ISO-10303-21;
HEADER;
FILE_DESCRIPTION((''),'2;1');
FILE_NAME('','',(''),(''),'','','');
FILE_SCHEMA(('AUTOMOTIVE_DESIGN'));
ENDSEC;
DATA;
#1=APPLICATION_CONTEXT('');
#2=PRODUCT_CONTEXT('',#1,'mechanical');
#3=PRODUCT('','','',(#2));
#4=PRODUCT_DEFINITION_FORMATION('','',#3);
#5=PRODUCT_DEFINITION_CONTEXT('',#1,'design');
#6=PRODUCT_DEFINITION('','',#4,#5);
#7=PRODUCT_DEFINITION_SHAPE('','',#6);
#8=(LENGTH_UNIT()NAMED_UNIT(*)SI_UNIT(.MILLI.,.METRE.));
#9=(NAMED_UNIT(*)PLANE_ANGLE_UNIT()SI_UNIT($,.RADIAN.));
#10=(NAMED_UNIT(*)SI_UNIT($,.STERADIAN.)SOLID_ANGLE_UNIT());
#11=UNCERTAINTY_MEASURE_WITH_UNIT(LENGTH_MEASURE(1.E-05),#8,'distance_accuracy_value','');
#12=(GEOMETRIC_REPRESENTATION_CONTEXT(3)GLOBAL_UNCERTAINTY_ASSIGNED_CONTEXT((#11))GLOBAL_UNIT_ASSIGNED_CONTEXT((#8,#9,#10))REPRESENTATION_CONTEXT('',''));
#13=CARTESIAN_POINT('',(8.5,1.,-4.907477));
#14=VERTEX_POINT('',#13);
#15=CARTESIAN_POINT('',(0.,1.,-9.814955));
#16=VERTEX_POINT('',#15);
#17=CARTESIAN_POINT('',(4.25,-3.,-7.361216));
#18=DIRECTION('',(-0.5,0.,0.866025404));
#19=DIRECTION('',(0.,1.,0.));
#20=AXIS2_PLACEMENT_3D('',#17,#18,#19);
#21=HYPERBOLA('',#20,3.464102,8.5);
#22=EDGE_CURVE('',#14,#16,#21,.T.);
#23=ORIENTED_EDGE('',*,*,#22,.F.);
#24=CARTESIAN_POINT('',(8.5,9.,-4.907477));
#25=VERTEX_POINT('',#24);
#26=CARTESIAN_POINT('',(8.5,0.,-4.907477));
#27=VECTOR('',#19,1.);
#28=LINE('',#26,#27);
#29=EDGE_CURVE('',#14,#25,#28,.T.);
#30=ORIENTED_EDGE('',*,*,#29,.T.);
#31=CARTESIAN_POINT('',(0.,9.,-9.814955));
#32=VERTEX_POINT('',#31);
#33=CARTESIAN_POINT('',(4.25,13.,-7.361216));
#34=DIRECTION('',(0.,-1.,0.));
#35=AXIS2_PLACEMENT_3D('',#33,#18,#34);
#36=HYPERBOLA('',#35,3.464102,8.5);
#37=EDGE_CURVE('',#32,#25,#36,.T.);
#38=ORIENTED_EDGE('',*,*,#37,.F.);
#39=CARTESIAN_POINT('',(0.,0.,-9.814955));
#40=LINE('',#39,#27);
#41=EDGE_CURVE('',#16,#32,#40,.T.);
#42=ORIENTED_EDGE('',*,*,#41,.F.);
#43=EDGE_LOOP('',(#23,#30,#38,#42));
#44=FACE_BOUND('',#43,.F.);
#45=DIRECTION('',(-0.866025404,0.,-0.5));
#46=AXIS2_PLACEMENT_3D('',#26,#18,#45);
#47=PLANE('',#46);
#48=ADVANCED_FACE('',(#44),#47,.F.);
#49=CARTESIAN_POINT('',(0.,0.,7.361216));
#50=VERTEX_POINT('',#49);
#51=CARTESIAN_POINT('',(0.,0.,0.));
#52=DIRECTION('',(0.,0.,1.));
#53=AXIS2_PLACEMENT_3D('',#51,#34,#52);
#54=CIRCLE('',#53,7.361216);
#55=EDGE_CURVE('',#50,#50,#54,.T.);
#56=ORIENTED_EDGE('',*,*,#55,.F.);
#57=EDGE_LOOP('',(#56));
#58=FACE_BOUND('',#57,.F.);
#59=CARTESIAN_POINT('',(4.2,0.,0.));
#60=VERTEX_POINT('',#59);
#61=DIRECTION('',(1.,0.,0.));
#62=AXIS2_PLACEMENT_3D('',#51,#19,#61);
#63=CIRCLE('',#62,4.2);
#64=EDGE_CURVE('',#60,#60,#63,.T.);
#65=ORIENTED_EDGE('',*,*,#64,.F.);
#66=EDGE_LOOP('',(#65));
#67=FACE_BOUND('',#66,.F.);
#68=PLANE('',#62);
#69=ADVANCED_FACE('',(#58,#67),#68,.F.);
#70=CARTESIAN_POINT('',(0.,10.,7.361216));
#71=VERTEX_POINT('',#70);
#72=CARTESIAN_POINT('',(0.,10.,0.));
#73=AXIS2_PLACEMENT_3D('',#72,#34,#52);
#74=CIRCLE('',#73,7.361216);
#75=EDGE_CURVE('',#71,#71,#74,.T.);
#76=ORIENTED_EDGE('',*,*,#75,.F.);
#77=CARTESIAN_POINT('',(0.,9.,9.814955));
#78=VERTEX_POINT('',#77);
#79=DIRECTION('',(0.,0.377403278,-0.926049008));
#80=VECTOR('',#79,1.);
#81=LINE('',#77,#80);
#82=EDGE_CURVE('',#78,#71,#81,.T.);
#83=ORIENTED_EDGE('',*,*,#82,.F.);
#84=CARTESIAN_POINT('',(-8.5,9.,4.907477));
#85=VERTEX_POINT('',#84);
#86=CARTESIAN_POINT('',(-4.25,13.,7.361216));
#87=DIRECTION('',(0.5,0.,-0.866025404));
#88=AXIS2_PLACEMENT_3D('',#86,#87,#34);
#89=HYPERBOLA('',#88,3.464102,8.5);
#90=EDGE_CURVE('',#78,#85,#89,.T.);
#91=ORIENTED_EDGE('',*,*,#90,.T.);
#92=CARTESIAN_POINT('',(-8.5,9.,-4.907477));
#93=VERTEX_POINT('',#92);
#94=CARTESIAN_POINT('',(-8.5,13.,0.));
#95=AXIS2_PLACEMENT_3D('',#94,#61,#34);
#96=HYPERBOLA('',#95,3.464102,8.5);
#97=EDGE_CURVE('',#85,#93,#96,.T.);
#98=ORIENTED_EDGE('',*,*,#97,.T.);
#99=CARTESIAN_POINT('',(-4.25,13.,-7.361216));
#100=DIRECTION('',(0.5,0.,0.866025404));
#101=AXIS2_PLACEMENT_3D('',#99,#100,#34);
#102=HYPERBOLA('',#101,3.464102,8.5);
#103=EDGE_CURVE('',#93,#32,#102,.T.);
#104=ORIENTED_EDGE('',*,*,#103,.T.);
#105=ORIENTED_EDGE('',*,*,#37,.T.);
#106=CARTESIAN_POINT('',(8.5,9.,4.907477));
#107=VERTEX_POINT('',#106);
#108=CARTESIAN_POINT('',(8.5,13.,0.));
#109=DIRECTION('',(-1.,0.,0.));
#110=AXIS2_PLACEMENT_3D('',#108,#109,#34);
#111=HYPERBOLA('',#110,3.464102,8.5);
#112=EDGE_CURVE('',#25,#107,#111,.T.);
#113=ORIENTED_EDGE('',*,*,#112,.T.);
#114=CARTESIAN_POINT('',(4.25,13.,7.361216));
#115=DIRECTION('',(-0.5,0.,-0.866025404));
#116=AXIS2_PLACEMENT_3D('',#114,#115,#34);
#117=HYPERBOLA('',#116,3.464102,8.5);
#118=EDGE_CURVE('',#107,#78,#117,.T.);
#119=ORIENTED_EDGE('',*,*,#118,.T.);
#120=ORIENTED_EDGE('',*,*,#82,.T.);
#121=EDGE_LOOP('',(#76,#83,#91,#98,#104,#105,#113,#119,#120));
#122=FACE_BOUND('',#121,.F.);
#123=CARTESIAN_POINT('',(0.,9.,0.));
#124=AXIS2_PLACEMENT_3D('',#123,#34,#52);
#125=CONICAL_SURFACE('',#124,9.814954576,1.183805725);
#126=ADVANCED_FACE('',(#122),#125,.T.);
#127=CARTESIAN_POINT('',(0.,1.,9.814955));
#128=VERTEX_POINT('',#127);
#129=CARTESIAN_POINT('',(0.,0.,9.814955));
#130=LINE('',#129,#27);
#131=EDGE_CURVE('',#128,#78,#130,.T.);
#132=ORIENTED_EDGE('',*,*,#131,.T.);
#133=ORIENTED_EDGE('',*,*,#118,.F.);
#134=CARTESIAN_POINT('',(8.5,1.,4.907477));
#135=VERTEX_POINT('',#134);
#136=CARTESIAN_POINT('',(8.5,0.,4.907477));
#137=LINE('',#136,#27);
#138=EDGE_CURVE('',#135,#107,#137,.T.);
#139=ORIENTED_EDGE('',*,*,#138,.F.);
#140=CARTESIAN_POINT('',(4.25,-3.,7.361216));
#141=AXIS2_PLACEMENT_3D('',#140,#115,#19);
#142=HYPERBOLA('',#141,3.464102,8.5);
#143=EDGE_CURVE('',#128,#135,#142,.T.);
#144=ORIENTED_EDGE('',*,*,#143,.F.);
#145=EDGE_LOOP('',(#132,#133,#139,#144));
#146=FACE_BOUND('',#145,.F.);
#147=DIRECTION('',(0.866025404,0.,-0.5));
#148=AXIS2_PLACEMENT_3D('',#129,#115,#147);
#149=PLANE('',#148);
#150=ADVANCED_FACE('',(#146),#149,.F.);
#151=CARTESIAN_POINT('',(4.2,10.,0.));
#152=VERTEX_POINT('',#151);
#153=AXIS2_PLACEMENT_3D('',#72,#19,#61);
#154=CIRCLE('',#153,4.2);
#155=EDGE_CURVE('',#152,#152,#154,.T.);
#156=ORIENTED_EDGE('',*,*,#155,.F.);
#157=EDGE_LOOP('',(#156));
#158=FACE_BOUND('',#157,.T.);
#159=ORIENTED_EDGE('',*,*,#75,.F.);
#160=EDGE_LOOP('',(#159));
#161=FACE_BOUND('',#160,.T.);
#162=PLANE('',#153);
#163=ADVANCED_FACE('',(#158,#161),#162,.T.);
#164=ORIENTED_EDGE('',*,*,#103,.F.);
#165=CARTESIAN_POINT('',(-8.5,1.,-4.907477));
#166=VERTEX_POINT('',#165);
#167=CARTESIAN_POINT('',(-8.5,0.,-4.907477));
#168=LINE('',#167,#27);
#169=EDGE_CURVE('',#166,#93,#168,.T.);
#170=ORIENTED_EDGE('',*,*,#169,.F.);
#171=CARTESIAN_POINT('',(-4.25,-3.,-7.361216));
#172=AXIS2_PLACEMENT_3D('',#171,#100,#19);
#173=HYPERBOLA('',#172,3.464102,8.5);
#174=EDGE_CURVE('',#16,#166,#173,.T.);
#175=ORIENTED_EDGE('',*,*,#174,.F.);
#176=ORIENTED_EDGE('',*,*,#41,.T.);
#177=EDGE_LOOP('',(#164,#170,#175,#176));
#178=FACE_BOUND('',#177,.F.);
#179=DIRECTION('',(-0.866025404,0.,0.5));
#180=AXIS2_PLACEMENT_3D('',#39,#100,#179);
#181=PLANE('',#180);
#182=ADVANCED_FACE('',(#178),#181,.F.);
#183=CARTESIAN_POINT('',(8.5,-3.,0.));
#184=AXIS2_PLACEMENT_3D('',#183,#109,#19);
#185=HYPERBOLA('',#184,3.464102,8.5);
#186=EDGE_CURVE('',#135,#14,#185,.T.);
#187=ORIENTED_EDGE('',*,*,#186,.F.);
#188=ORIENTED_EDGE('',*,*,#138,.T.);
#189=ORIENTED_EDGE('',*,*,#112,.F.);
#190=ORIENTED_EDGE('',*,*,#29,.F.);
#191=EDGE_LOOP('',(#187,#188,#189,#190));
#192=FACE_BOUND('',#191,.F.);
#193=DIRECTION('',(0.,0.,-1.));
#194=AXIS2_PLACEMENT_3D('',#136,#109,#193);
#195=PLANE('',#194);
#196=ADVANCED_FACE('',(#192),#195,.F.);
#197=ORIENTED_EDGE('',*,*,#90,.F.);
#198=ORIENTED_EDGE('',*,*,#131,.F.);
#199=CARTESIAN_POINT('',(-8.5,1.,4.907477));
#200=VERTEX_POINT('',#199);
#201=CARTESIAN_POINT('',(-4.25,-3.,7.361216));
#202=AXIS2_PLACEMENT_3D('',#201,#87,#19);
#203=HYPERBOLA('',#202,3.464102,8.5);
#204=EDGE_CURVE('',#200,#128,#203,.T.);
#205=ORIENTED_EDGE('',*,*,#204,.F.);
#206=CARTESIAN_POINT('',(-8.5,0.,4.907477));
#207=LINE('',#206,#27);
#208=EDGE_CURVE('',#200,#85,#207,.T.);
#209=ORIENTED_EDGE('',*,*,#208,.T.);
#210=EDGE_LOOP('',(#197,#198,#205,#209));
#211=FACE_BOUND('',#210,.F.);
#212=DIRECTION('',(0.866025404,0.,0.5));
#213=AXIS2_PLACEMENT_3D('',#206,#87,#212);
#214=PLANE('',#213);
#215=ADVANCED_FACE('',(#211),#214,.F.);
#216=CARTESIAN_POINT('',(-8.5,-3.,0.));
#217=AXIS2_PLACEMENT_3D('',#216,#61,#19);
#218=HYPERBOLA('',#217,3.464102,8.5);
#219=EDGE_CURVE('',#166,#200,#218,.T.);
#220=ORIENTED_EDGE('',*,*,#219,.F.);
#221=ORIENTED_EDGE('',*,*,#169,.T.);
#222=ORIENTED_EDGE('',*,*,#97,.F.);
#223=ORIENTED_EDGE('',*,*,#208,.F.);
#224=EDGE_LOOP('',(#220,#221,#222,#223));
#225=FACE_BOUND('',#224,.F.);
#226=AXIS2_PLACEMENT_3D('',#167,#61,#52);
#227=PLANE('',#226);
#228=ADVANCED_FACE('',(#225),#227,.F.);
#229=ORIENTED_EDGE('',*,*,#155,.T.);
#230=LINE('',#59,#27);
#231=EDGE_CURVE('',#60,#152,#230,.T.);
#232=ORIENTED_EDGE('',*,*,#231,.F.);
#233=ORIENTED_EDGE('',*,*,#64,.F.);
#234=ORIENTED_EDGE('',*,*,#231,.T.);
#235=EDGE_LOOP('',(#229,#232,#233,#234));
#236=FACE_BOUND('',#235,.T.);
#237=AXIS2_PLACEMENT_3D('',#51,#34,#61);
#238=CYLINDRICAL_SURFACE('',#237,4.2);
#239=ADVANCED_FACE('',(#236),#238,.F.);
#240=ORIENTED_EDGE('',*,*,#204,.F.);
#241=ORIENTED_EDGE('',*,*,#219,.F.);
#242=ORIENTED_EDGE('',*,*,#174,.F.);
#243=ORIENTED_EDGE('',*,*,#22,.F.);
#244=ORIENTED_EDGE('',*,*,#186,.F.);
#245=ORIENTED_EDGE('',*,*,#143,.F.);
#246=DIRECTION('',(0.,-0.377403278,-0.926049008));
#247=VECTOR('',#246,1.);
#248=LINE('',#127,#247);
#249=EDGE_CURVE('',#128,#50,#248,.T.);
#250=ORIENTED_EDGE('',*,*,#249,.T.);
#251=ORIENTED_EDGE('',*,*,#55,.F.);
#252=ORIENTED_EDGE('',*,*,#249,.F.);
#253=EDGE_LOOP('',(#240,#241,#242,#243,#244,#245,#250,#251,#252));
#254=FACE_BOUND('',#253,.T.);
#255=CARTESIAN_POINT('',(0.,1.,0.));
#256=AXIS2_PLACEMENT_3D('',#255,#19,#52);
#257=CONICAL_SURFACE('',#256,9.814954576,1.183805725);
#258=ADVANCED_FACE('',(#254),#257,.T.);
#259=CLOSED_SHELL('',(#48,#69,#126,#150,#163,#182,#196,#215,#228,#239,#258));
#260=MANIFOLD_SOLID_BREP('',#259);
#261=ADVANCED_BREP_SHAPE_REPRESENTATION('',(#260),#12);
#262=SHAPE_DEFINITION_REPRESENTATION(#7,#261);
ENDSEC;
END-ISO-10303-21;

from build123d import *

# Parameters (mm, degrees)
SKETCH1_R           = 4.2
BOSS_EXTRUDE1_DEPTH = 10


with BuildPart() as part:
    # Sketch1 → Boss-Extrude1 (new body)
    with BuildSketch(Plane(origin=(0, 0, 0), x_dir=(1, 0, 0), z_dir=(0, 1, 0))):
        Polygon((0, 9.814954576), (-8.5, 4.907477288), (-8.5, -4.907477288), (0, -9.814954576), (8.5, -4.907477288), (8.5, 4.907477288), align=None)
        Circle(SKETCH1_R, mode=Mode.SUBTRACT)
    extrude(amount=BOSS_EXTRUDE1_DEPTH)

    # Sketch2 → Cut-Revolve1 (revolve, cut)
    with BuildSketch(Plane(origin=(0, 0, 0), x_dir=(0, 0, -1), z_dir=(1, 0, 0))):
        Polygon((-9.814954576, 9), (-7.361215932, 10), (-9.814954576, 10), align=None)
        Polygon((-7.361215932, 0), (-9.814954576, 0), (-9.814954576, 1), align=None)
    revolve(axis=Axis((0, 13.206770677, 0), (0, -1, 0)), mode=Mode.SUBTRACT)


solid = part.part
